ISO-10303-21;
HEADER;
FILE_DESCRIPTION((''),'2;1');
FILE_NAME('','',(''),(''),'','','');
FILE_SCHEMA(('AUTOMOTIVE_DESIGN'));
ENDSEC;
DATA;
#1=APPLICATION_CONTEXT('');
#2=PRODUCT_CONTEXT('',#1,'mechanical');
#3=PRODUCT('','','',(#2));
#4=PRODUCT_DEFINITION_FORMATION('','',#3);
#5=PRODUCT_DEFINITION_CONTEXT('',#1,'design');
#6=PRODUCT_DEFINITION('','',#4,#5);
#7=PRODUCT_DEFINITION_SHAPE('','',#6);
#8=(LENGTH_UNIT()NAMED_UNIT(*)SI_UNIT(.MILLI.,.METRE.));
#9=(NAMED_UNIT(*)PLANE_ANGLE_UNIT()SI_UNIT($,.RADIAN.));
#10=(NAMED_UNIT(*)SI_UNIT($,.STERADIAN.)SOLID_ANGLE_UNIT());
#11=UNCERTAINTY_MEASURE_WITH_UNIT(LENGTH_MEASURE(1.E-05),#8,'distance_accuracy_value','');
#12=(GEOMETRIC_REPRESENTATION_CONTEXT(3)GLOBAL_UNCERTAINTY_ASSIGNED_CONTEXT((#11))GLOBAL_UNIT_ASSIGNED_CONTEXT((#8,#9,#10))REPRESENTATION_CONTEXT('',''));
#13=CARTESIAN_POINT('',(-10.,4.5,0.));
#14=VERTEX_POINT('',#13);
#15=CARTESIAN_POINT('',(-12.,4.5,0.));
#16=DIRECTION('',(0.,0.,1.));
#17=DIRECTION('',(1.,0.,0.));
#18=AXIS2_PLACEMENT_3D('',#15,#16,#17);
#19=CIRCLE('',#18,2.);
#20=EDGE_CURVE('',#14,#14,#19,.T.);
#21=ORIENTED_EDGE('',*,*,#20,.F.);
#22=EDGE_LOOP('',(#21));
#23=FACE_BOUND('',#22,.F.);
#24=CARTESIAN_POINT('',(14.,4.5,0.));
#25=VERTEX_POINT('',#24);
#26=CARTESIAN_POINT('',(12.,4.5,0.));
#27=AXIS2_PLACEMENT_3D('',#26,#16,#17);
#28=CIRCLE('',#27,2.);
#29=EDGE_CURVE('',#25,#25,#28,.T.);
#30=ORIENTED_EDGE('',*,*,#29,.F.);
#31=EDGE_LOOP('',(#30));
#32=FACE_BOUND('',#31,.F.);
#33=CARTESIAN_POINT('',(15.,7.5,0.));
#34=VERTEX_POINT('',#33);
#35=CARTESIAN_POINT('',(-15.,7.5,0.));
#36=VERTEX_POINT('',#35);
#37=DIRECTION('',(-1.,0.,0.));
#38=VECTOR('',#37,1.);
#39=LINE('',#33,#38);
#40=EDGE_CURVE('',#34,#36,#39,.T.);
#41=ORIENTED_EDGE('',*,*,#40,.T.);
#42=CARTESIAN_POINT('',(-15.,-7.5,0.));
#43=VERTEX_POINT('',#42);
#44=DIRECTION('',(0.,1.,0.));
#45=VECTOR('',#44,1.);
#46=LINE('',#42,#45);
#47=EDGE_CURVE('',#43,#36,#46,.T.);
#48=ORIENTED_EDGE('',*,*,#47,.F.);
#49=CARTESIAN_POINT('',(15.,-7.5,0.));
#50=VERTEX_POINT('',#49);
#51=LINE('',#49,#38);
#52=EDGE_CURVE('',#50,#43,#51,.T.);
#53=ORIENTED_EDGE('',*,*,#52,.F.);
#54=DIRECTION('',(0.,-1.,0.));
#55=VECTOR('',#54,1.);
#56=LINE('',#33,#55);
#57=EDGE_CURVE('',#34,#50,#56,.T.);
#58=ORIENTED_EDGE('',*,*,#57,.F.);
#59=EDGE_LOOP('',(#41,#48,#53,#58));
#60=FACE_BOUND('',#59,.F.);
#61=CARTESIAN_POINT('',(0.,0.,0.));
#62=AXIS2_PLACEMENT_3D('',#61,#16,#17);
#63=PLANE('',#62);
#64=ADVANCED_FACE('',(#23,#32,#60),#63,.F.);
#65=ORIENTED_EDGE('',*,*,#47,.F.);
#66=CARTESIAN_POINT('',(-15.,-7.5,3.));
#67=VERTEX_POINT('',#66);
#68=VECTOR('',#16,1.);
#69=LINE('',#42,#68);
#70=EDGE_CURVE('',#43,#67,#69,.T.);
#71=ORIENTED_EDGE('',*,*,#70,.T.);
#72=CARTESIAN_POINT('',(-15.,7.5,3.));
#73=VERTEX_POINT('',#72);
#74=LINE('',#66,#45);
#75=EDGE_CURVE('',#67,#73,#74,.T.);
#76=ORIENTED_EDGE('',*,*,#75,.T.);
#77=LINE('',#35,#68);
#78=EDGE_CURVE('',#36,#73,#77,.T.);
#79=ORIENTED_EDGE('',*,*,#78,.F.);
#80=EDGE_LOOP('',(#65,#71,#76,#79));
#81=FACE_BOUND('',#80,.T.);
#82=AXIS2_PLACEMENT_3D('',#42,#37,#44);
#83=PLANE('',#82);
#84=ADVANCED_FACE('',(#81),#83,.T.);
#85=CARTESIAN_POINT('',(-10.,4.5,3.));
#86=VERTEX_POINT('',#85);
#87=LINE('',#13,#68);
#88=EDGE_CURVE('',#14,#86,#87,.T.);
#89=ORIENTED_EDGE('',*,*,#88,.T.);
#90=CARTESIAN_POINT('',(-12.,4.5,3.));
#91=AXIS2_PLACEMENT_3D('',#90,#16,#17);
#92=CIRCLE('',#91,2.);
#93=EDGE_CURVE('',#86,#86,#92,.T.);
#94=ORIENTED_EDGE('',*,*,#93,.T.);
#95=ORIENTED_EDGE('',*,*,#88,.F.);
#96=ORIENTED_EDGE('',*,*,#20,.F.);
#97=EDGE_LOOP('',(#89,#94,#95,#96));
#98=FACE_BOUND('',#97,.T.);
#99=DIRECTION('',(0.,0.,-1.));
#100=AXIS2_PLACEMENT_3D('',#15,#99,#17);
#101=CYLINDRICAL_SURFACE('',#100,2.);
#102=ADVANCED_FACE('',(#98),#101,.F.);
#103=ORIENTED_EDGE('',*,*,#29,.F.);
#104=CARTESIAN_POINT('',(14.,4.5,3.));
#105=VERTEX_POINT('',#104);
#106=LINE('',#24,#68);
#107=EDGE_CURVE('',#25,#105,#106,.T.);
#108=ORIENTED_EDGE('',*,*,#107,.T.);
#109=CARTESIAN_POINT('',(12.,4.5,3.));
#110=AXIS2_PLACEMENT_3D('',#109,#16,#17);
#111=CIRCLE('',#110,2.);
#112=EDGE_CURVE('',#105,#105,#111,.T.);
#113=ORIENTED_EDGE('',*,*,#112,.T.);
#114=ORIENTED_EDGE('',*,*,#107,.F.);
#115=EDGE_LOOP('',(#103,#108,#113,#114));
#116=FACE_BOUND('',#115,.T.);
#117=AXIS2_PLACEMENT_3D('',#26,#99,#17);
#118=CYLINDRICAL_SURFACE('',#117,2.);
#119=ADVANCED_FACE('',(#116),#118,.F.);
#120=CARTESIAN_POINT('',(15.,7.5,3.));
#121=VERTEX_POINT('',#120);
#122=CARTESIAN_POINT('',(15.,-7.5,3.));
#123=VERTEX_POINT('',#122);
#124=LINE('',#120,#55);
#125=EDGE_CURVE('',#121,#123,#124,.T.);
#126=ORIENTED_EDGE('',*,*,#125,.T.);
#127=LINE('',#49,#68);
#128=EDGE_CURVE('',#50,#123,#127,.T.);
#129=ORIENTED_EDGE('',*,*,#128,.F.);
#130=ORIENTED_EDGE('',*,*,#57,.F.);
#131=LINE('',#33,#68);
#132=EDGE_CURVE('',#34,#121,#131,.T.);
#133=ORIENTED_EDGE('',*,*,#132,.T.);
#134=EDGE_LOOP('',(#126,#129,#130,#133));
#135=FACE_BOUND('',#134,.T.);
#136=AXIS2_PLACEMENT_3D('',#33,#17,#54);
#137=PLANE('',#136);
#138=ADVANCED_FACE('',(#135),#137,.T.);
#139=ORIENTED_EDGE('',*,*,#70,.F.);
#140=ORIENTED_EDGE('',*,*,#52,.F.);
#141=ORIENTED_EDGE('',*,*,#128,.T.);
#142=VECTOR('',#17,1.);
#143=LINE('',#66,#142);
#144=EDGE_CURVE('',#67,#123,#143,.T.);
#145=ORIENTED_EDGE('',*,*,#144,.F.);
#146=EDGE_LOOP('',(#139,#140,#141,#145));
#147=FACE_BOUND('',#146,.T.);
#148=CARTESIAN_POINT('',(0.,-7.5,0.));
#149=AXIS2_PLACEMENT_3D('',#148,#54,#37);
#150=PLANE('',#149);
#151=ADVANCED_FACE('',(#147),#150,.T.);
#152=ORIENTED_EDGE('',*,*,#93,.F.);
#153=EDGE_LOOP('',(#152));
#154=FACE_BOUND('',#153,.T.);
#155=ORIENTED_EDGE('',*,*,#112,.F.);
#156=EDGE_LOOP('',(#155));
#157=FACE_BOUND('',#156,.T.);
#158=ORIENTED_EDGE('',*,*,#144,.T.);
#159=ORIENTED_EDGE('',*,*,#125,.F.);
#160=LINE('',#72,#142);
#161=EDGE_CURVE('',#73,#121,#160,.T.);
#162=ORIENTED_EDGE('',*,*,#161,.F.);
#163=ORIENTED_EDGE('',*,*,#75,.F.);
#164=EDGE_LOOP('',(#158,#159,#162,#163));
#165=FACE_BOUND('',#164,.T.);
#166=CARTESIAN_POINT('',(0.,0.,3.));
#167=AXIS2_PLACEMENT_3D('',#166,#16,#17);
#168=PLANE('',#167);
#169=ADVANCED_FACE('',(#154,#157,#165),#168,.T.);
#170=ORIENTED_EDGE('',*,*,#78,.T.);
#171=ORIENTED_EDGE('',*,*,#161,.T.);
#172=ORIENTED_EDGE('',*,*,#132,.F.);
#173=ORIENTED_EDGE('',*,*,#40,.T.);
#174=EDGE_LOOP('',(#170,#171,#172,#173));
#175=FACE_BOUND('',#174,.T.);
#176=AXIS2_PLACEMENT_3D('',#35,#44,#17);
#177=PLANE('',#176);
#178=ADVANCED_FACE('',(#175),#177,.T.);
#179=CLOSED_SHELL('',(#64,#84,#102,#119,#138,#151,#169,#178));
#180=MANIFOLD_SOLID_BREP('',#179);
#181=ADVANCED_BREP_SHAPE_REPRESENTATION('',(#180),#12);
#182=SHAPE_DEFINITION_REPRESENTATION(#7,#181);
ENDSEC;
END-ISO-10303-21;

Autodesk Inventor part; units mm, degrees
ref_plane "YZ Plane" through (0, 0, 0) normal (1, 0, 0) x (0, 1, 0)
ref_plane "XZ Plane" through (0, 0, 0) normal (0, 1, 0) x (-1, 0, 0)
ref_plane "XY Plane" through (0, 0, 0) normal (0, 0, 1) x (1, 0, 0)
sketch "Sketch1" plane through (0, 0, 0) normal (0, 0, 1) x (1, 0, 0)
  line L0 (-15, 7.5) -> (15, 7.5)
  line L1 (15, 7.5) -> (15, -7.5)
  line L2 (15, -7.5) -> (-15, -7.5)
  line L3 (-15, -7.5) -> (-15, 7.5)
  line L4 (-15, 7.5) -> (15, -7.5) construction
  line L5 (15, 7.5) -> (-15, -7.5) construction
  circle A0 centre (-12, 4.5) radius 2
  line L6 (0, -7.5) -> (0, 7.5)
  circle A1 centre (12, 4.5) radius 2
  point P0 (0, 0)
  dimension "d0" = 4
  dimension "d1" = 3
  dimension "d2" = 3
  dimension "d3" = 30
  dimension "d4" = 15
  dimension "d5" = 24
extrude "Extrusion1" add sketch "Sketch1" along normal blind 3
properties part number "imu_holder"
